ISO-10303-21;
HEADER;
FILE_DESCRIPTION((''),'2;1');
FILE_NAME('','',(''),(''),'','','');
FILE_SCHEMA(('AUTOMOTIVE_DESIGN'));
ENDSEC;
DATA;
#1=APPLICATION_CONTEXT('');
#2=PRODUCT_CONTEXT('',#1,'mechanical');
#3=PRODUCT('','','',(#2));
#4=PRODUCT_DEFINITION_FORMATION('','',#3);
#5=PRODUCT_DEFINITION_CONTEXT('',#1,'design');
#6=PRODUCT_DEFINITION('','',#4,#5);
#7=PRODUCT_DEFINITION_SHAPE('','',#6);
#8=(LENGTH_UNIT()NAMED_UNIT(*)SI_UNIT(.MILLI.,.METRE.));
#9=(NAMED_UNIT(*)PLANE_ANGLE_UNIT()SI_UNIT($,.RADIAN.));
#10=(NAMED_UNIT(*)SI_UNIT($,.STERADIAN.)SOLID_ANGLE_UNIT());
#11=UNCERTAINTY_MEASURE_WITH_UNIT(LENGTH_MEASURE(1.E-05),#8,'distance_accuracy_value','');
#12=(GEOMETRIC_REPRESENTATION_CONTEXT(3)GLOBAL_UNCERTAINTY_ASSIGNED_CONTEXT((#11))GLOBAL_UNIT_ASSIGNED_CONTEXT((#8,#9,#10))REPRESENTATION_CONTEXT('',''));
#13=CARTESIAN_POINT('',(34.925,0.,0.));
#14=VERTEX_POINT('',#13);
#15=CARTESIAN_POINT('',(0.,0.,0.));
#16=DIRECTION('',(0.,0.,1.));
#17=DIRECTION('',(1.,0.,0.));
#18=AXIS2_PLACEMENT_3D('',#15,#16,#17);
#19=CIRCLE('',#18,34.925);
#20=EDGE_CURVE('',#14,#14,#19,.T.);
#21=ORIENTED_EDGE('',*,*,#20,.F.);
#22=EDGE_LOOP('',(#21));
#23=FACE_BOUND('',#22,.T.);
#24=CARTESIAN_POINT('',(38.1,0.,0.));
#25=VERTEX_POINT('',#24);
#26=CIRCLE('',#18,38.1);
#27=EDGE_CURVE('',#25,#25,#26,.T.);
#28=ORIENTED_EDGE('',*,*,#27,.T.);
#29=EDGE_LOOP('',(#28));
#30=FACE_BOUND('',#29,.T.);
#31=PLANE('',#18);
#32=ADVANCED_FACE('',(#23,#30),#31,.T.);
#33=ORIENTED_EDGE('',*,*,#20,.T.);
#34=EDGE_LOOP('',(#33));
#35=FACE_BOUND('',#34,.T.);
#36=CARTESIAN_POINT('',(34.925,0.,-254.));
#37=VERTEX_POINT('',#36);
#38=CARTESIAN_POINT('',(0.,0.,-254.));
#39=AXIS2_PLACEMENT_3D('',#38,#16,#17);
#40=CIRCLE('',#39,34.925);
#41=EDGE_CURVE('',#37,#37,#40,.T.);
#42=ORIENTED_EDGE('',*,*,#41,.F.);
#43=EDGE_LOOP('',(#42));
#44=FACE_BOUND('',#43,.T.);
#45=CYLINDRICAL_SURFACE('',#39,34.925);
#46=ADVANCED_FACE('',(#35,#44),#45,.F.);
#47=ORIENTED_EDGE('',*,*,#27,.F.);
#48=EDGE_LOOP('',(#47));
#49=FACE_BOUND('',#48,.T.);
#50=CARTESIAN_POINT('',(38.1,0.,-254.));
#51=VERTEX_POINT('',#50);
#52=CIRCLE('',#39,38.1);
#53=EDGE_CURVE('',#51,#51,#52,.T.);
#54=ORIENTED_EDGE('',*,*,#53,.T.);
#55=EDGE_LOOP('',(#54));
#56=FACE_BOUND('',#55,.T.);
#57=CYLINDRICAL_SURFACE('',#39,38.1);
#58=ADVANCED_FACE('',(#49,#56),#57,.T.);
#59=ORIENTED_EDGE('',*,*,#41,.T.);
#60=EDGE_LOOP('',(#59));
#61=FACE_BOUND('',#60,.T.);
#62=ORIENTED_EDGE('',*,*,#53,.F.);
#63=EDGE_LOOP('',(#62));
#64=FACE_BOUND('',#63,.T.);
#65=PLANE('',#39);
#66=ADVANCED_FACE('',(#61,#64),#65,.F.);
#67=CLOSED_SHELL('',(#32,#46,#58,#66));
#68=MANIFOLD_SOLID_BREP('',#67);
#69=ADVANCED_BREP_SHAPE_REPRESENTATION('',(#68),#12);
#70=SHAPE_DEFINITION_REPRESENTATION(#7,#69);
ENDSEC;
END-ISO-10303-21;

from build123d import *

# Parameters (mm, degrees)
SKETCH2_R           = 38.1
SKETCH2_R_2         = 34.925
BOSS_EXTRUDE1_DEPTH = 254


with BuildPart() as part:
    # Sketch2 → Boss-Extrude1 (new body)
    with BuildSketch(Plane.XY):
        Circle(SKETCH2_R)
        Circle(SKETCH2_R_2, mode=Mode.SUBTRACT)
    extrude(amount=-BOSS_EXTRUDE1_DEPTH)


solid = part.part
